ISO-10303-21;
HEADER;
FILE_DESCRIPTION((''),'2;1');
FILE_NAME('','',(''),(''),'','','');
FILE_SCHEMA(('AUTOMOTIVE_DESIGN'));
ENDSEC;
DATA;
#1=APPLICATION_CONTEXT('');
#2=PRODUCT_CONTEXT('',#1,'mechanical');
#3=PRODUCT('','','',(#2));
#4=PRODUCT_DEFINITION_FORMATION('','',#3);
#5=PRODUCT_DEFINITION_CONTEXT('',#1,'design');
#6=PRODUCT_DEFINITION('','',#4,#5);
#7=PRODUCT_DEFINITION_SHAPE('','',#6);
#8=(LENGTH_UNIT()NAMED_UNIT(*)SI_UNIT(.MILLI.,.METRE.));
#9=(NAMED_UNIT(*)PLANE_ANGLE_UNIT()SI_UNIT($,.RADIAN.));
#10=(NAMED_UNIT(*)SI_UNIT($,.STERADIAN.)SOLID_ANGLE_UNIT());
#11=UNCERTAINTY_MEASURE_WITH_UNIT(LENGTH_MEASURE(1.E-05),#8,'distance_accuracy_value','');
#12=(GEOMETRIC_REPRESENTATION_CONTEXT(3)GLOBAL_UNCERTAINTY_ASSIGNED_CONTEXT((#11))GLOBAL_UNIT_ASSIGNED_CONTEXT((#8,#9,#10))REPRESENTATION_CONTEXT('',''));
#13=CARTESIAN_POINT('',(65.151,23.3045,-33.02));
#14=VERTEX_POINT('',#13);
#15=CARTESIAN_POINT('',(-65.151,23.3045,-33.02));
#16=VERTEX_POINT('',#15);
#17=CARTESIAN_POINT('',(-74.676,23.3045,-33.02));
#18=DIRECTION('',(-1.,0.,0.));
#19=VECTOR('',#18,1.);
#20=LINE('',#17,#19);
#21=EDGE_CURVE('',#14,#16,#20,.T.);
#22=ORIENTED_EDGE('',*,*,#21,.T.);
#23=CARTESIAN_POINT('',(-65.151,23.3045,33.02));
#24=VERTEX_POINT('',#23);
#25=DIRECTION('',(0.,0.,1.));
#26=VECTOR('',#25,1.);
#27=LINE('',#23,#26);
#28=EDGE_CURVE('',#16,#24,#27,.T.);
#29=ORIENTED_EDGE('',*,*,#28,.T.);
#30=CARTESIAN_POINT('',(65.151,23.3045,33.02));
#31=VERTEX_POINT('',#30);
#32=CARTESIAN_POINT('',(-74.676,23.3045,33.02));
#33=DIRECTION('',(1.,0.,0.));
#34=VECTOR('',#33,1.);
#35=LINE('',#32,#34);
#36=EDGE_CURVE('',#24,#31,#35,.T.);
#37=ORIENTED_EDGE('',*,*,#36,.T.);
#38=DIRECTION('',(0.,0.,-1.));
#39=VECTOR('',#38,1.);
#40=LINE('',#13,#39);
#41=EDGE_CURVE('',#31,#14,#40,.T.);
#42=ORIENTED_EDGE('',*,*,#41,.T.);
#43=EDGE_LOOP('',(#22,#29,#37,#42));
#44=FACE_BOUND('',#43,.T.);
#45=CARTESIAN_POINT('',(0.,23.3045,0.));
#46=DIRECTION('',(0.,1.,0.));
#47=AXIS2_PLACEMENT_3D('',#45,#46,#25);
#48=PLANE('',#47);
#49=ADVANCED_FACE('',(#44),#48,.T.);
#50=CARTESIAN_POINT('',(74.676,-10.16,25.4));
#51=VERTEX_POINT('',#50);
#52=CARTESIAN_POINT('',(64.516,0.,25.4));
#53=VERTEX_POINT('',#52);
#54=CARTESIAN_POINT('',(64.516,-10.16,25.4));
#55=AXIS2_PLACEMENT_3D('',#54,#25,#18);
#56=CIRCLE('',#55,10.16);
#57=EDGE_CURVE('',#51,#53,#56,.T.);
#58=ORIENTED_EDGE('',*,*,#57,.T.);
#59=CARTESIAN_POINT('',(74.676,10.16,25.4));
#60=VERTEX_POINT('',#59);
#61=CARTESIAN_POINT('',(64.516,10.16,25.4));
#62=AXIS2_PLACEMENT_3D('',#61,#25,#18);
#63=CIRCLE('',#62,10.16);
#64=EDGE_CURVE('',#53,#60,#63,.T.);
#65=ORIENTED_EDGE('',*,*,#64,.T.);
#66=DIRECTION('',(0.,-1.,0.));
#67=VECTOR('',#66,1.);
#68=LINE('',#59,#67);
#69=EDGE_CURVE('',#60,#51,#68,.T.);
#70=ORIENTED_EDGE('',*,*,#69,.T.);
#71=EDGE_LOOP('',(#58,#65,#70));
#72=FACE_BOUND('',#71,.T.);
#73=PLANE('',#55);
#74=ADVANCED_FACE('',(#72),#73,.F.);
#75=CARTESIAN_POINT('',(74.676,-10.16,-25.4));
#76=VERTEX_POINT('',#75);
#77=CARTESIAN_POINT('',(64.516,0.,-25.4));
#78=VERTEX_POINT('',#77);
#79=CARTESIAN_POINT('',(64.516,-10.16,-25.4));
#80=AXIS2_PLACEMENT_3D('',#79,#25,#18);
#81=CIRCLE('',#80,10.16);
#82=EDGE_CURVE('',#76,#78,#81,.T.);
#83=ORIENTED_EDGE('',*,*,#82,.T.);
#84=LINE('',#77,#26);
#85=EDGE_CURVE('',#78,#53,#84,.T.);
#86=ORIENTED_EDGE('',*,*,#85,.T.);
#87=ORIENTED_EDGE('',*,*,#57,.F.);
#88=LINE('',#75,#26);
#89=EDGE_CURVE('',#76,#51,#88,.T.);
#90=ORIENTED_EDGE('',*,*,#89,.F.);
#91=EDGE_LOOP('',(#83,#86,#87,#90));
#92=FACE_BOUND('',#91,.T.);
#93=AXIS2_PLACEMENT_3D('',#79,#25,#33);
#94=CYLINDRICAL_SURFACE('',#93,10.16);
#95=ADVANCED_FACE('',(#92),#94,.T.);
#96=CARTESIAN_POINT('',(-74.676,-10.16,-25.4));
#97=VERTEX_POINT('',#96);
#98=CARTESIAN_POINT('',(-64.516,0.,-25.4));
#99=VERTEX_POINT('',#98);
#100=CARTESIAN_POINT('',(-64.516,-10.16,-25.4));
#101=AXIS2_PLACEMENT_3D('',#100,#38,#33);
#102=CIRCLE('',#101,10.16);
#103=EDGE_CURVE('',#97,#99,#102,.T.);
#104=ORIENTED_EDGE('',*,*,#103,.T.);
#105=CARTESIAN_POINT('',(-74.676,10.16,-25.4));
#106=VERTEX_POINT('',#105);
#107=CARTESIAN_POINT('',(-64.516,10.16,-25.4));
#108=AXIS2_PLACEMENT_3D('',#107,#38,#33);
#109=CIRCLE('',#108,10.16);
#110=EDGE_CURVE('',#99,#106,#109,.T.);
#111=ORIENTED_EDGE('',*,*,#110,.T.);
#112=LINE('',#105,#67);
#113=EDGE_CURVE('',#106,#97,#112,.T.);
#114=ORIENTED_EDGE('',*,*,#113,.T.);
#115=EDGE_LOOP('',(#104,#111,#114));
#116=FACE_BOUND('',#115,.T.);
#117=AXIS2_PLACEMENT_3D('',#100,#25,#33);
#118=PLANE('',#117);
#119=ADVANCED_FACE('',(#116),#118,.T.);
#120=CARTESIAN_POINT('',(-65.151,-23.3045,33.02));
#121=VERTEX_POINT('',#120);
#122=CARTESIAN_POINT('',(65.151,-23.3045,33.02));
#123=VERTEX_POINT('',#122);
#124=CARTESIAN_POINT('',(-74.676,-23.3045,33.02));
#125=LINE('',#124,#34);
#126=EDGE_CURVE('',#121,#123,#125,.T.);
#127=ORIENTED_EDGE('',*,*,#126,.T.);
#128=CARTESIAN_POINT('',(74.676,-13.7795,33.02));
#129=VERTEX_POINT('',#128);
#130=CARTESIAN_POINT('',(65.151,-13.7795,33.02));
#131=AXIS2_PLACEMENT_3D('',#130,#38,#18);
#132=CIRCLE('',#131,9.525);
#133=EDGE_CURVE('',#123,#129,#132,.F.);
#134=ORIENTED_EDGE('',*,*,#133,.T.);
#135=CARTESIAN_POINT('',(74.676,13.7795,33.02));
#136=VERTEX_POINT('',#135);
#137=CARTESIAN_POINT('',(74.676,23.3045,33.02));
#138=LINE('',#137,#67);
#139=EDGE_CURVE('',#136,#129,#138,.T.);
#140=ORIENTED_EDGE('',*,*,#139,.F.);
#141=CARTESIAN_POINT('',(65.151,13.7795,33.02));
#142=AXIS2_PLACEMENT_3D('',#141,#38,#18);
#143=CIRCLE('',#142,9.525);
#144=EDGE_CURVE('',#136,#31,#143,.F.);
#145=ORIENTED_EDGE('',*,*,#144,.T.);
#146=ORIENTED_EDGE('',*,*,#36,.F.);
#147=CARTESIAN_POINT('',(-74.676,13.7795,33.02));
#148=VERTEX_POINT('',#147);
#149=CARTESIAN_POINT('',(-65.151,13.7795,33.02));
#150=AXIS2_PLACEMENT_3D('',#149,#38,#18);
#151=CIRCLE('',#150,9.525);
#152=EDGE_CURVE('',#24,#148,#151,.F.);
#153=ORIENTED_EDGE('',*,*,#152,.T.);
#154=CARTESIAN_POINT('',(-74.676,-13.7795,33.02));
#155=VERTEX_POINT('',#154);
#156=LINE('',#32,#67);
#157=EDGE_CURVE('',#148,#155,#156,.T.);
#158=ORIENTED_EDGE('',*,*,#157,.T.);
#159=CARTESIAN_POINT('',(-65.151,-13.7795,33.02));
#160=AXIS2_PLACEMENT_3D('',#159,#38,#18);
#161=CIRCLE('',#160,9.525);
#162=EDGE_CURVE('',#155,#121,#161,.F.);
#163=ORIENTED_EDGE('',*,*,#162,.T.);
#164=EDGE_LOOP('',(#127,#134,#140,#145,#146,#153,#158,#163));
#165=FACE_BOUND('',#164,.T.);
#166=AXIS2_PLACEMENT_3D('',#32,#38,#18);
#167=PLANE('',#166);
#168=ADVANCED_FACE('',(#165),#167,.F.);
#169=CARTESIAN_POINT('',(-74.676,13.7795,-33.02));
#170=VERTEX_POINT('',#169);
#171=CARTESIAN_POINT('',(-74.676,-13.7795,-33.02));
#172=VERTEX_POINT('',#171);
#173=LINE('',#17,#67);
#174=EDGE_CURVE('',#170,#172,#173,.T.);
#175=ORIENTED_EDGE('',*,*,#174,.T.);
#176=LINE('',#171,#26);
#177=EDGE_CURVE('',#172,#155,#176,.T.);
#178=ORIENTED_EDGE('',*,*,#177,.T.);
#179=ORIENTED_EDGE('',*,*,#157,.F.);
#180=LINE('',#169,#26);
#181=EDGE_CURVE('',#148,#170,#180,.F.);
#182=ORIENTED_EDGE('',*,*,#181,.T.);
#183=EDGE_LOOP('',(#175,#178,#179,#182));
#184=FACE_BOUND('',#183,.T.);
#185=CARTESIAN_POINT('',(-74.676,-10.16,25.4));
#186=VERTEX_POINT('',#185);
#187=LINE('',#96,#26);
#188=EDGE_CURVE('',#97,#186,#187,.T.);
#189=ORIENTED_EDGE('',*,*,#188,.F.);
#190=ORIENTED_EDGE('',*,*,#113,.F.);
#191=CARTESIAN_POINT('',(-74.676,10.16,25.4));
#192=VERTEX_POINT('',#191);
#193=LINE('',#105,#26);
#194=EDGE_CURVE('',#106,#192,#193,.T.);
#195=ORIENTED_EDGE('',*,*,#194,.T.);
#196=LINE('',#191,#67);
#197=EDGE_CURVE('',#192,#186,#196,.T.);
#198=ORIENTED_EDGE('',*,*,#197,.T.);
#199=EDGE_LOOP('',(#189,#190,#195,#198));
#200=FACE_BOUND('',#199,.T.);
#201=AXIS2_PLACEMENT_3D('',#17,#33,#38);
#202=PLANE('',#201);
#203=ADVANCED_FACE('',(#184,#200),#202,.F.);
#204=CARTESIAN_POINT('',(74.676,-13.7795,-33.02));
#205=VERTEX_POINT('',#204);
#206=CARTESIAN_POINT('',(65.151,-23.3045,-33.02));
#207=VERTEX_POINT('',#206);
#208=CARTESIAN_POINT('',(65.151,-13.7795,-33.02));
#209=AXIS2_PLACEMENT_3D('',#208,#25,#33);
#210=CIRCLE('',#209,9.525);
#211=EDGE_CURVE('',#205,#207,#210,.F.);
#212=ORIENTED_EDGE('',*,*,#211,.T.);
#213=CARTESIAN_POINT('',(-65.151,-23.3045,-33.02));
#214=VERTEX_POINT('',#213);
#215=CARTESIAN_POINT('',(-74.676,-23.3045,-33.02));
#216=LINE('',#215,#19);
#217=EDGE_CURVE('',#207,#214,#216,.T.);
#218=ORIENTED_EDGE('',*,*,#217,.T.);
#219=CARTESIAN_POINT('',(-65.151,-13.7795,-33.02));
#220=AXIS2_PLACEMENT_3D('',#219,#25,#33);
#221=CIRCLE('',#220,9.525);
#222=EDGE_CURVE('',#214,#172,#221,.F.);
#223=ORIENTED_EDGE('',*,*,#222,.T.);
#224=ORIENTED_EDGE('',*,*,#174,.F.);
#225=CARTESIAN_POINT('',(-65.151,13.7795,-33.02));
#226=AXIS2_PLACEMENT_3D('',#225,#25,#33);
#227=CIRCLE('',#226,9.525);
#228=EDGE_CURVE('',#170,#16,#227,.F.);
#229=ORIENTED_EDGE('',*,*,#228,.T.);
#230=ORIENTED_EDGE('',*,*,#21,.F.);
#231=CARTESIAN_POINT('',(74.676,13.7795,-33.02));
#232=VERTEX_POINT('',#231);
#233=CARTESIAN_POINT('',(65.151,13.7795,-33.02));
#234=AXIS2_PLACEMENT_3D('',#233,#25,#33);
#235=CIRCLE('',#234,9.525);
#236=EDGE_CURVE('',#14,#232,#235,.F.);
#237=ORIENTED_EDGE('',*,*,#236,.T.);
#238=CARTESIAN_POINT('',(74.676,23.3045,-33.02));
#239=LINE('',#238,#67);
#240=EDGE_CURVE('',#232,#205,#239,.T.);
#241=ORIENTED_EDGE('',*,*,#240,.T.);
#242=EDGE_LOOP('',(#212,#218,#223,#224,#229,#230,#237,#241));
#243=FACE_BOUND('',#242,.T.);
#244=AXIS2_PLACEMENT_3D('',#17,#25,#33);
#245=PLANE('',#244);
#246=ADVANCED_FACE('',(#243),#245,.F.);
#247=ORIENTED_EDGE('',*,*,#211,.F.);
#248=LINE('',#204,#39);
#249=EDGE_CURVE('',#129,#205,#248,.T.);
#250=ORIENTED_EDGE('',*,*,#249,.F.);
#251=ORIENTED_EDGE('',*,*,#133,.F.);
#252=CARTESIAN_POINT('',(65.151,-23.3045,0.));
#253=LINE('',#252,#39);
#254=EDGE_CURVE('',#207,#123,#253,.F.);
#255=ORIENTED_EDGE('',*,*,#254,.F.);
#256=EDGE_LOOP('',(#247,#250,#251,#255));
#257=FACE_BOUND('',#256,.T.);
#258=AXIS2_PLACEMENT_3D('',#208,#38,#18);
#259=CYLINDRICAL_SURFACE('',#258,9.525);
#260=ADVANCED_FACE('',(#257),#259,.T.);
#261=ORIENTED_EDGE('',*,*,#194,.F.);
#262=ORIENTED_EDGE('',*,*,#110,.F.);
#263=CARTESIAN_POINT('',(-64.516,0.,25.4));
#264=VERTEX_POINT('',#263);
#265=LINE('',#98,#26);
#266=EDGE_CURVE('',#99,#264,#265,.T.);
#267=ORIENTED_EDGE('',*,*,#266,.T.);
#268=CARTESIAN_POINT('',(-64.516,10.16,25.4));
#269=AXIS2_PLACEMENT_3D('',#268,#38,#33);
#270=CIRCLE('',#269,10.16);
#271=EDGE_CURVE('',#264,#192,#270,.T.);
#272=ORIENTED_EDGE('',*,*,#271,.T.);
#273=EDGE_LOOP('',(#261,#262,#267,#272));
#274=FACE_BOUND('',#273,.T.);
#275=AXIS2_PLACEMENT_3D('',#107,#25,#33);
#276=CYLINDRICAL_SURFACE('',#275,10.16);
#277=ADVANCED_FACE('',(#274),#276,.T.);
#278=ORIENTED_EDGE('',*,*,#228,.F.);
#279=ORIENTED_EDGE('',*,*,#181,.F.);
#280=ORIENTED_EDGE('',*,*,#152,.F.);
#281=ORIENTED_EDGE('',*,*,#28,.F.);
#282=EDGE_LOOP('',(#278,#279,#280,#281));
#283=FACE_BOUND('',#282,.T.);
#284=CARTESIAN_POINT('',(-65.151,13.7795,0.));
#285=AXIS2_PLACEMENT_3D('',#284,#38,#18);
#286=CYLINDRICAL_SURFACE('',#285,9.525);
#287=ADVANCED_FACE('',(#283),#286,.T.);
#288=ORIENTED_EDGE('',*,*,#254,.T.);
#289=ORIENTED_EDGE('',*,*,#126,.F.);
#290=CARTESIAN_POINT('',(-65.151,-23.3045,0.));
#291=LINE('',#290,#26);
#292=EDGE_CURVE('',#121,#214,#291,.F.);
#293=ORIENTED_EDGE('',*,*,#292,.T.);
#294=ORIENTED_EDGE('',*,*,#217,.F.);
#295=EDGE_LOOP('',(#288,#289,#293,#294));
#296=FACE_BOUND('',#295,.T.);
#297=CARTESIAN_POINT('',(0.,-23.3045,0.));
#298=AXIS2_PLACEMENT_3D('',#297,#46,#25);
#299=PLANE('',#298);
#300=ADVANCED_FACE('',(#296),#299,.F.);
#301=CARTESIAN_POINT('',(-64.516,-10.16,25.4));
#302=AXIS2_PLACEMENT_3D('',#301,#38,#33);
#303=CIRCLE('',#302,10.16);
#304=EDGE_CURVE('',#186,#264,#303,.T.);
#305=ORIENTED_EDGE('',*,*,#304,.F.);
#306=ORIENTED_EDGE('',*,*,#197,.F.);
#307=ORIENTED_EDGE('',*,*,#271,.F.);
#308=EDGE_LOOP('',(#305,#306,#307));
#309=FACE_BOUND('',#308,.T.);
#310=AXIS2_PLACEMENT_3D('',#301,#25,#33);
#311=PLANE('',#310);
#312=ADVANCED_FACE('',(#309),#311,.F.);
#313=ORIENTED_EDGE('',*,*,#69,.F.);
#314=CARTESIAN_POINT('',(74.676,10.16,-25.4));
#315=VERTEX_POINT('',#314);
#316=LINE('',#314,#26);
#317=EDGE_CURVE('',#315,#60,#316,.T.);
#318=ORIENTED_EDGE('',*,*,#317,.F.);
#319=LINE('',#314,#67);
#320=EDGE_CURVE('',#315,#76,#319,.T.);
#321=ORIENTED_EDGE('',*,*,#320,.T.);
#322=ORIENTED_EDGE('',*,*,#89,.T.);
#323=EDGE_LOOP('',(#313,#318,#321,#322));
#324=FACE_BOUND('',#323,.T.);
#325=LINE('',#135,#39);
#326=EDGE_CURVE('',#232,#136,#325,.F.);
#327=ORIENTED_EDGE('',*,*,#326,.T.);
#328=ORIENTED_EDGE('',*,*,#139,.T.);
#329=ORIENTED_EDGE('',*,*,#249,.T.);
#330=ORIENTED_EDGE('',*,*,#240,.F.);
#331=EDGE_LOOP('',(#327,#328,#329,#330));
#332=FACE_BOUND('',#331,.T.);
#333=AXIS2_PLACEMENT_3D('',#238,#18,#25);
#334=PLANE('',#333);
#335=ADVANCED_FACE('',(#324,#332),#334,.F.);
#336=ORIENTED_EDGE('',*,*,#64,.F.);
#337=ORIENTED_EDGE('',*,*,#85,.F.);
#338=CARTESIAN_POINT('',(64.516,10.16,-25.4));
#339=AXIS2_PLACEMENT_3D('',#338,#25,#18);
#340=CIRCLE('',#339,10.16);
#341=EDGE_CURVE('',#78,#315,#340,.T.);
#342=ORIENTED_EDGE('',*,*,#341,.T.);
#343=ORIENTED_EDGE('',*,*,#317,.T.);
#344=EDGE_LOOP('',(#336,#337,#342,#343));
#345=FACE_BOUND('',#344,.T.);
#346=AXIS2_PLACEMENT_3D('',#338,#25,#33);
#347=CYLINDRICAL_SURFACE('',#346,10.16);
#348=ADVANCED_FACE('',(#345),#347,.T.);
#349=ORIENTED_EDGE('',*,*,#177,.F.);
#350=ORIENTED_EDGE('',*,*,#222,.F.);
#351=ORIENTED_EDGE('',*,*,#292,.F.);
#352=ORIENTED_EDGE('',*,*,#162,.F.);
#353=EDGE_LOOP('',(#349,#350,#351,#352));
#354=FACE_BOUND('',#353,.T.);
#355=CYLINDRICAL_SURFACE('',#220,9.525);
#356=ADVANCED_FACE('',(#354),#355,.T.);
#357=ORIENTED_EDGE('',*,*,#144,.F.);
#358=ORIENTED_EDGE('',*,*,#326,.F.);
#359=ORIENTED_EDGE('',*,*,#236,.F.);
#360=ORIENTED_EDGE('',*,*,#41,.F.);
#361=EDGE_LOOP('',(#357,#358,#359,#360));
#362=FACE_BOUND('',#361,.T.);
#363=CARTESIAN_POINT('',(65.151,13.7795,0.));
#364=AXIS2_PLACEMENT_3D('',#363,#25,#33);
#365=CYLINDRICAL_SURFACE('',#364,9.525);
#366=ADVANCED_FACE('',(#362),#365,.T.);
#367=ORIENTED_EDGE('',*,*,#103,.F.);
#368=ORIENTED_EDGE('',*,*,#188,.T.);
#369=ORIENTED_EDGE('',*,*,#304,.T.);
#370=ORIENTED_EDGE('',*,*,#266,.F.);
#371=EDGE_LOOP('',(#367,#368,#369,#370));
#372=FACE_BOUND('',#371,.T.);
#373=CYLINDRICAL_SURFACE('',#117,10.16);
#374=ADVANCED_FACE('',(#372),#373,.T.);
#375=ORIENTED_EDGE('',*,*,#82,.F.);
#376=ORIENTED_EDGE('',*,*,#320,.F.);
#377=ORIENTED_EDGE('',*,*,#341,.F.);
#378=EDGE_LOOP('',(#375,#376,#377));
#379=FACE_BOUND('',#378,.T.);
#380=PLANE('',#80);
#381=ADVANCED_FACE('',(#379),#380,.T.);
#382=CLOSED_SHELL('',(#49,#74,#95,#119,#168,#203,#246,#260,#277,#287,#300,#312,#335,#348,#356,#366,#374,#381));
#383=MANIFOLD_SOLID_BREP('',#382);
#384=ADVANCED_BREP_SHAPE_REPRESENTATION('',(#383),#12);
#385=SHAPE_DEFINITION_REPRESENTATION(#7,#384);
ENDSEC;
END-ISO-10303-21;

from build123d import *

# Parameters (mm, degrees)
SKETCH1_W           = 149.352
SKETCH1_H           = 66.04
BOSS_EXTRUDE1_DEPTH = 23.3045
FILLET1_R           = 9.525
CUT_EXTRUDE1_DEPTH  = 25.4


with BuildPart() as part:
    # Sketch1 → Boss-Extrude1 (new, symmetric)
    with BuildSketch(Plane(origin=(0, 0, 0), x_dir=(1, 0, 0), z_dir=(0, 1, 0))):
        Rectangle(SKETCH1_W, SKETCH1_H)
    extrude(amount=BOSS_EXTRUDE1_DEPTH, both=True)

    # Fillet1
    fillet1_edges = [part.edges().sort_by_distance(p)[0] for p in [
        (74.676, 23.3045, 0),
        (-74.676, 23.3045, 0),
        (74.676, -23.3045, 0),
        (-74.676, -23.3045, 0),
    ]]
    fillet(fillet1_edges, radius=FILLET1_R)

    # Sketch2 → Cut-Extrude1 (cut, symmetric)
    with BuildSketch(Plane.XY):
        with BuildLine():
            Line((-74.676, 10.16), (-74.676, -10.16))
            ThreePointArc((-74.676, -10.16), (-71.700204897, -2.975795103), (-64.516, 0))
            ThreePointArc((-64.516, 0), (-71.700204897, 2.975795103), (-74.676, 10.16))
        make_face()
    cut_extrude1 = extrude(amount=CUT_EXTRUDE1_DEPTH, both=True, mode=Mode.SUBTRACT)

    # Mirror1: Cut-Extrude1 across plane
    add(cut_extrude1.mirror(Plane(origin=(0, 0, 0), x_dir=(0, 0, 1), z_dir=(1, 0, 0))), mode=Mode.SUBTRACT)


solid = part.part
